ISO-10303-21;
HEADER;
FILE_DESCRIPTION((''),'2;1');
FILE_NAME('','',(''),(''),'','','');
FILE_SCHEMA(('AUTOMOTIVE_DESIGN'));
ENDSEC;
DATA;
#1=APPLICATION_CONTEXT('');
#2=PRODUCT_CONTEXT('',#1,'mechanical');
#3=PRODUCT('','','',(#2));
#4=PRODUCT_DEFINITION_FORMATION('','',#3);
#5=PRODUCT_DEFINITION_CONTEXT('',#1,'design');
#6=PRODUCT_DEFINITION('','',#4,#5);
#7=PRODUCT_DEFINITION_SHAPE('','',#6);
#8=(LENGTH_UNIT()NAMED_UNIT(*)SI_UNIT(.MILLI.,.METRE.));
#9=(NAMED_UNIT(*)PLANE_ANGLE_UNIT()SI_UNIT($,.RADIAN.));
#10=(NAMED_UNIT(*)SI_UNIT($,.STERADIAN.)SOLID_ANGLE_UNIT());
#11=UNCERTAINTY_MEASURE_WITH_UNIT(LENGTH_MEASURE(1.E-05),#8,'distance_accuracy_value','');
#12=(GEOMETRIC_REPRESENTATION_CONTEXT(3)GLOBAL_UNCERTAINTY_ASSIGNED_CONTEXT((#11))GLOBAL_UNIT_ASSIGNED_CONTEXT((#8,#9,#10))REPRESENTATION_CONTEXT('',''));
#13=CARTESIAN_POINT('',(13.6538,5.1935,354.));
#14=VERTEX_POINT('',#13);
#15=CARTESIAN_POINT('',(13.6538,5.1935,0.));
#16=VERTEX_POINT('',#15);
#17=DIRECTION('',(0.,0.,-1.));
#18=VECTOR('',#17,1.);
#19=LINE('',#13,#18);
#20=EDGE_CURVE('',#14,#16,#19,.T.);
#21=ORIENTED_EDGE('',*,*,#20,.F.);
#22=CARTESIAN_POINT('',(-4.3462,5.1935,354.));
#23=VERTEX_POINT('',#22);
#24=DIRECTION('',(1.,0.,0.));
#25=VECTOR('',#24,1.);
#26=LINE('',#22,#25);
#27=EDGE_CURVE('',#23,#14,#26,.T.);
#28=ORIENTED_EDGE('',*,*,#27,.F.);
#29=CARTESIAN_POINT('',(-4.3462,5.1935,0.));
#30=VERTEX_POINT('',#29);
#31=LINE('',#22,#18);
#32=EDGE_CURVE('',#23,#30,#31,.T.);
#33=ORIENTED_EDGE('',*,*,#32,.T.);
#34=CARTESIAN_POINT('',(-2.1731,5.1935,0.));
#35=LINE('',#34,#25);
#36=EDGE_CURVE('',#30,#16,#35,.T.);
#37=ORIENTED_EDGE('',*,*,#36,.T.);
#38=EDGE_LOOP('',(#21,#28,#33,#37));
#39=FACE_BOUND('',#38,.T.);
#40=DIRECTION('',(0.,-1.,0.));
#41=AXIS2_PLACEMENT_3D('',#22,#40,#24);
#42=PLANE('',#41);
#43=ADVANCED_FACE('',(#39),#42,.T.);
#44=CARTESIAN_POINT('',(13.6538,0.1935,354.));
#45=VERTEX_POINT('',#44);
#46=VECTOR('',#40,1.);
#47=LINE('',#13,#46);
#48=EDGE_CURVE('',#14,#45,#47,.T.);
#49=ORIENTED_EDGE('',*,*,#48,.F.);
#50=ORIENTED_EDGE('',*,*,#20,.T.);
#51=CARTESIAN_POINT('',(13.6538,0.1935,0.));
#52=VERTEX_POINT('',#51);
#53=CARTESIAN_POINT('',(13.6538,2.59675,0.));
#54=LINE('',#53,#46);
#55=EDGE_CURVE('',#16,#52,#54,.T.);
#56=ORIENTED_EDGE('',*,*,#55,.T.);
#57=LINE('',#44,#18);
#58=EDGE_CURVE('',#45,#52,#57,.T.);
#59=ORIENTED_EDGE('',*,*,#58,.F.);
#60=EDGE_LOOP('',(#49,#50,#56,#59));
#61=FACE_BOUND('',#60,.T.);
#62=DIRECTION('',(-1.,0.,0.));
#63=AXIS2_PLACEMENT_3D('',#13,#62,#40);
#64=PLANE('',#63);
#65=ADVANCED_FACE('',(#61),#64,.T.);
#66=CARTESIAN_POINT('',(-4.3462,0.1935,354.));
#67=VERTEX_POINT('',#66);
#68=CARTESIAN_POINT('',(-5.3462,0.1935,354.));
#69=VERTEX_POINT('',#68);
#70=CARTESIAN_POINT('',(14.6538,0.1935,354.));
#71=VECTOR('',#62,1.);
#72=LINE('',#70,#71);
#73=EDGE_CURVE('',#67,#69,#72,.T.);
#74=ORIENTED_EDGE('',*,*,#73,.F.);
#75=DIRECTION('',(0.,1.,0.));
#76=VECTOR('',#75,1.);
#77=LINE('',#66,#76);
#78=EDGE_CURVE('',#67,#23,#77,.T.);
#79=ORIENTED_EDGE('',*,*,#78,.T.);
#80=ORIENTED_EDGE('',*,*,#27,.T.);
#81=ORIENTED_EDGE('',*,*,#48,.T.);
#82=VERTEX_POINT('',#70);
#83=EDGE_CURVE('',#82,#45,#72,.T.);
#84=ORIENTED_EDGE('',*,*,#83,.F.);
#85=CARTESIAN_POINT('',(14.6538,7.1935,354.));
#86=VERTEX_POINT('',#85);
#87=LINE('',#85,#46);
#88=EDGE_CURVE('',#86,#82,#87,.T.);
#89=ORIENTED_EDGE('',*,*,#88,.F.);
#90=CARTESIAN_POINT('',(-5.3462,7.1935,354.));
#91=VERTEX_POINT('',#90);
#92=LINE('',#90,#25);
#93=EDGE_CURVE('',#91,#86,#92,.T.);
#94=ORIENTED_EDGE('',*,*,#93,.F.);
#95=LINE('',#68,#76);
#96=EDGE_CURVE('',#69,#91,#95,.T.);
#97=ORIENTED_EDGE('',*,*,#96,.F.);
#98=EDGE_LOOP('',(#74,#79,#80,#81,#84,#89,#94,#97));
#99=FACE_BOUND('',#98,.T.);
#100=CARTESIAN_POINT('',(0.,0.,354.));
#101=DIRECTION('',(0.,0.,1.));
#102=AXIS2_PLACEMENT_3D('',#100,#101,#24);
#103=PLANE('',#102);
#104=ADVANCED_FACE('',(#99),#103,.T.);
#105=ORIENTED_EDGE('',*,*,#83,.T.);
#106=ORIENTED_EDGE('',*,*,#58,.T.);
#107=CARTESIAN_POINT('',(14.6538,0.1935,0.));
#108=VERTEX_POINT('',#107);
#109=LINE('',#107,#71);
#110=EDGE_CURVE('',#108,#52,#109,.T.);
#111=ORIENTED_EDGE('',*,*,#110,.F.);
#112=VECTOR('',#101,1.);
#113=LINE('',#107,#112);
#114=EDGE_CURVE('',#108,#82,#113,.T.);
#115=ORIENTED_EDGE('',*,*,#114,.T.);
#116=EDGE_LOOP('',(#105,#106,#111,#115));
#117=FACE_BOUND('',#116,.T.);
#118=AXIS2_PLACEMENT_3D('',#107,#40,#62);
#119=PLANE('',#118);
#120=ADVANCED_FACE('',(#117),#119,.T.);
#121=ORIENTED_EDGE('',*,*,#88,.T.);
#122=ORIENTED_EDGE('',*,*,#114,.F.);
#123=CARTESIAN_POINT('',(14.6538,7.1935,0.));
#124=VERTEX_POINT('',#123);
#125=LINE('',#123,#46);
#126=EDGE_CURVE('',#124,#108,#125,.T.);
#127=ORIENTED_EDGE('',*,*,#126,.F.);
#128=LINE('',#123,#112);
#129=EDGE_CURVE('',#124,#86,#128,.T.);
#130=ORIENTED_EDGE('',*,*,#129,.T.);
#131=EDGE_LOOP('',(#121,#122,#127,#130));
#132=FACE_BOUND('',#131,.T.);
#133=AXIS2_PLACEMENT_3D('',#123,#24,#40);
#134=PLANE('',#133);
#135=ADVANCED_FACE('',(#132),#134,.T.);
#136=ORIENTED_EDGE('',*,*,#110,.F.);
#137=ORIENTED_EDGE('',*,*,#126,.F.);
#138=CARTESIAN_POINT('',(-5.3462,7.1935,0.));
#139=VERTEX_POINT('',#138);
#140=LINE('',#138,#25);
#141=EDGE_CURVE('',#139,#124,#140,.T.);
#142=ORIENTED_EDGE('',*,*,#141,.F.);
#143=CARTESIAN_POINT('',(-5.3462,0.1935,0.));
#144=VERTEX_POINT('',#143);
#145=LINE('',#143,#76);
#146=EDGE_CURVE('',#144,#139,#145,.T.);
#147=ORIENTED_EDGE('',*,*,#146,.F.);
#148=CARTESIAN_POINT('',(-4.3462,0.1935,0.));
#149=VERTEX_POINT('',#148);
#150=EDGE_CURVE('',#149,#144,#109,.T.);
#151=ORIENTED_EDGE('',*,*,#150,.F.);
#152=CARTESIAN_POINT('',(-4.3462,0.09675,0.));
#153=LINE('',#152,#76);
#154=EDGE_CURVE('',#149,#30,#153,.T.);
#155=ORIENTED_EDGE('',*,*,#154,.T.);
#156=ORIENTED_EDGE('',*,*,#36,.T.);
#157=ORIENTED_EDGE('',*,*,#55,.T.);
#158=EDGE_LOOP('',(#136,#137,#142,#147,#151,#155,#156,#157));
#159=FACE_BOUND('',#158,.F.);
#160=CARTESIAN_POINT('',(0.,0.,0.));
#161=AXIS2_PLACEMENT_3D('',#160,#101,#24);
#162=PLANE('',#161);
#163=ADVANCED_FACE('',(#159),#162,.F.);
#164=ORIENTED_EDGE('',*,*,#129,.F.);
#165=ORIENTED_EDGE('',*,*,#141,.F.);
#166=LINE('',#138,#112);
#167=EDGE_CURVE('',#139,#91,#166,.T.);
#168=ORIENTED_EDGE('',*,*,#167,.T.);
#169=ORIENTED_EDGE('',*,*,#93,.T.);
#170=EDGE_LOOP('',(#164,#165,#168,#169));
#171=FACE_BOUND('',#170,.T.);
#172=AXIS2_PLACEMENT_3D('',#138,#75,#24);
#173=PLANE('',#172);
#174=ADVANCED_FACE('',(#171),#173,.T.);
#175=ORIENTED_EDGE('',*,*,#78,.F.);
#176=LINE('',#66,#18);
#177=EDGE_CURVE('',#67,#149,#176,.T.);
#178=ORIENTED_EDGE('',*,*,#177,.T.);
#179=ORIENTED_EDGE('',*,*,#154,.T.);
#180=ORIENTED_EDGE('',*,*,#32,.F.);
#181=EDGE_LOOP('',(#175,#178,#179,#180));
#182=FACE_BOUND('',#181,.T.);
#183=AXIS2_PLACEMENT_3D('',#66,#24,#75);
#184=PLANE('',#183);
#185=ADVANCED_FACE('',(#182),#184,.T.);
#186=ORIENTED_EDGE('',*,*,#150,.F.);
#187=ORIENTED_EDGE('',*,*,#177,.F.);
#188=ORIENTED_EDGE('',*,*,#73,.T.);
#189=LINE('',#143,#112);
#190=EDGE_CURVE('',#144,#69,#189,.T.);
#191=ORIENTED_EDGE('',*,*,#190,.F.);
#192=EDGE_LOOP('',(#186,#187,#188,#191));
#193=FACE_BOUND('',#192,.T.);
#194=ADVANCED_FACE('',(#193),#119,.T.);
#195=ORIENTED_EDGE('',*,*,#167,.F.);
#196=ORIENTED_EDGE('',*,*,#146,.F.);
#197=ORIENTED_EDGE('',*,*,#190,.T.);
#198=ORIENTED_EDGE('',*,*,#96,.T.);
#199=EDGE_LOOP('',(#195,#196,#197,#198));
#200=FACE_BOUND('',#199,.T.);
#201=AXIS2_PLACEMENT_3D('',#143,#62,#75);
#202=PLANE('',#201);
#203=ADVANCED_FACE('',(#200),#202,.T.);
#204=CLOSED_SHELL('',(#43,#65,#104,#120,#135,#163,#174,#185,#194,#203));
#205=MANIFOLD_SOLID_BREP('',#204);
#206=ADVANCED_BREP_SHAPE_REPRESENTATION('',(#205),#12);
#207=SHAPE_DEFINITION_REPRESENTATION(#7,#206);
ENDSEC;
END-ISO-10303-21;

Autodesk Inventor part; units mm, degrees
ref_plane "YZ Plane" through (0, 0, 0) normal (1, 0, 0) x (0, 1, 0)
ref_plane "XZ Plane" through (0, 0, 0) normal (0, 1, 0) x (-1, 0, 0)
ref_plane "XY Plane" through (0, 0, 0) normal (0, 0, 1) x (1, 0, 0)
sketch "Sketch1" plane through (0, 0, 0) normal (0, 0, 1) x (1, 0, 0)
  line L0 (-5.3462, 7.1935) -> (14.6538, 7.1935)
  line L1 (14.6538, 7.1935) -> (14.6538, 0.1935)
  line L2 (14.6538, 0.1935) -> (-5.3462, 0.1935)
  line L3 (-5.3462, 0.1935) -> (-5.3462, 7.1935)
  dimension "d0" = 20
  dimension "d1" = 7
extrude "Extrusion1" add sketch "Sketch1" along normal blind 354
sketch "Boceto2" plane through (0, 0, 354) normal (0, 0, 1) x (1, 0, 0)
  line L0 (-5.3462, 7.1935) -> (-5.3462, 0.1935) projected
  line L1 (-5.3462, 0.1935) -> (-4.3462, 0.1935)
  line L2 (-5.3462, 0.1935) -> (14.6538, 0.1935) projected
  line L3 (-5.3462, 7.1935) -> (-4.3462, 7.1935)
  line L4 (14.6538, 7.1935) -> (-5.3462, 7.1935) projected
  line L5 (-4.3462, 7.1935) -> (-4.3462, 5.1935)
  line L6 (-4.3462, 0.1935) -> (-4.3462, 5.1935)
  line L7 (-4.3462, 5.1935) -> (14.6538, 5.1935)
  line L8 (14.6538, 5.1935) -> (13.6538, 5.1935)
  line L9 (13.6538, 5.1935) -> (13.6538, 0.1935)
  line L10 (-4.3462, 0.1935) -> (13.6538, 0.1935)
  point P0 (0, 0)
  dimension "d4" = 1
  dimension "d5" = 1
  dimension "d6" = 2
  dimension "d7" = 1
extrude "Extrusión2" cut sketch "Boceto2" against normal blind 364.5 contours L6 L7 L9 L2
properties part number "Soporte LED_L=354" material "Stainless Steel, Austenitic"
